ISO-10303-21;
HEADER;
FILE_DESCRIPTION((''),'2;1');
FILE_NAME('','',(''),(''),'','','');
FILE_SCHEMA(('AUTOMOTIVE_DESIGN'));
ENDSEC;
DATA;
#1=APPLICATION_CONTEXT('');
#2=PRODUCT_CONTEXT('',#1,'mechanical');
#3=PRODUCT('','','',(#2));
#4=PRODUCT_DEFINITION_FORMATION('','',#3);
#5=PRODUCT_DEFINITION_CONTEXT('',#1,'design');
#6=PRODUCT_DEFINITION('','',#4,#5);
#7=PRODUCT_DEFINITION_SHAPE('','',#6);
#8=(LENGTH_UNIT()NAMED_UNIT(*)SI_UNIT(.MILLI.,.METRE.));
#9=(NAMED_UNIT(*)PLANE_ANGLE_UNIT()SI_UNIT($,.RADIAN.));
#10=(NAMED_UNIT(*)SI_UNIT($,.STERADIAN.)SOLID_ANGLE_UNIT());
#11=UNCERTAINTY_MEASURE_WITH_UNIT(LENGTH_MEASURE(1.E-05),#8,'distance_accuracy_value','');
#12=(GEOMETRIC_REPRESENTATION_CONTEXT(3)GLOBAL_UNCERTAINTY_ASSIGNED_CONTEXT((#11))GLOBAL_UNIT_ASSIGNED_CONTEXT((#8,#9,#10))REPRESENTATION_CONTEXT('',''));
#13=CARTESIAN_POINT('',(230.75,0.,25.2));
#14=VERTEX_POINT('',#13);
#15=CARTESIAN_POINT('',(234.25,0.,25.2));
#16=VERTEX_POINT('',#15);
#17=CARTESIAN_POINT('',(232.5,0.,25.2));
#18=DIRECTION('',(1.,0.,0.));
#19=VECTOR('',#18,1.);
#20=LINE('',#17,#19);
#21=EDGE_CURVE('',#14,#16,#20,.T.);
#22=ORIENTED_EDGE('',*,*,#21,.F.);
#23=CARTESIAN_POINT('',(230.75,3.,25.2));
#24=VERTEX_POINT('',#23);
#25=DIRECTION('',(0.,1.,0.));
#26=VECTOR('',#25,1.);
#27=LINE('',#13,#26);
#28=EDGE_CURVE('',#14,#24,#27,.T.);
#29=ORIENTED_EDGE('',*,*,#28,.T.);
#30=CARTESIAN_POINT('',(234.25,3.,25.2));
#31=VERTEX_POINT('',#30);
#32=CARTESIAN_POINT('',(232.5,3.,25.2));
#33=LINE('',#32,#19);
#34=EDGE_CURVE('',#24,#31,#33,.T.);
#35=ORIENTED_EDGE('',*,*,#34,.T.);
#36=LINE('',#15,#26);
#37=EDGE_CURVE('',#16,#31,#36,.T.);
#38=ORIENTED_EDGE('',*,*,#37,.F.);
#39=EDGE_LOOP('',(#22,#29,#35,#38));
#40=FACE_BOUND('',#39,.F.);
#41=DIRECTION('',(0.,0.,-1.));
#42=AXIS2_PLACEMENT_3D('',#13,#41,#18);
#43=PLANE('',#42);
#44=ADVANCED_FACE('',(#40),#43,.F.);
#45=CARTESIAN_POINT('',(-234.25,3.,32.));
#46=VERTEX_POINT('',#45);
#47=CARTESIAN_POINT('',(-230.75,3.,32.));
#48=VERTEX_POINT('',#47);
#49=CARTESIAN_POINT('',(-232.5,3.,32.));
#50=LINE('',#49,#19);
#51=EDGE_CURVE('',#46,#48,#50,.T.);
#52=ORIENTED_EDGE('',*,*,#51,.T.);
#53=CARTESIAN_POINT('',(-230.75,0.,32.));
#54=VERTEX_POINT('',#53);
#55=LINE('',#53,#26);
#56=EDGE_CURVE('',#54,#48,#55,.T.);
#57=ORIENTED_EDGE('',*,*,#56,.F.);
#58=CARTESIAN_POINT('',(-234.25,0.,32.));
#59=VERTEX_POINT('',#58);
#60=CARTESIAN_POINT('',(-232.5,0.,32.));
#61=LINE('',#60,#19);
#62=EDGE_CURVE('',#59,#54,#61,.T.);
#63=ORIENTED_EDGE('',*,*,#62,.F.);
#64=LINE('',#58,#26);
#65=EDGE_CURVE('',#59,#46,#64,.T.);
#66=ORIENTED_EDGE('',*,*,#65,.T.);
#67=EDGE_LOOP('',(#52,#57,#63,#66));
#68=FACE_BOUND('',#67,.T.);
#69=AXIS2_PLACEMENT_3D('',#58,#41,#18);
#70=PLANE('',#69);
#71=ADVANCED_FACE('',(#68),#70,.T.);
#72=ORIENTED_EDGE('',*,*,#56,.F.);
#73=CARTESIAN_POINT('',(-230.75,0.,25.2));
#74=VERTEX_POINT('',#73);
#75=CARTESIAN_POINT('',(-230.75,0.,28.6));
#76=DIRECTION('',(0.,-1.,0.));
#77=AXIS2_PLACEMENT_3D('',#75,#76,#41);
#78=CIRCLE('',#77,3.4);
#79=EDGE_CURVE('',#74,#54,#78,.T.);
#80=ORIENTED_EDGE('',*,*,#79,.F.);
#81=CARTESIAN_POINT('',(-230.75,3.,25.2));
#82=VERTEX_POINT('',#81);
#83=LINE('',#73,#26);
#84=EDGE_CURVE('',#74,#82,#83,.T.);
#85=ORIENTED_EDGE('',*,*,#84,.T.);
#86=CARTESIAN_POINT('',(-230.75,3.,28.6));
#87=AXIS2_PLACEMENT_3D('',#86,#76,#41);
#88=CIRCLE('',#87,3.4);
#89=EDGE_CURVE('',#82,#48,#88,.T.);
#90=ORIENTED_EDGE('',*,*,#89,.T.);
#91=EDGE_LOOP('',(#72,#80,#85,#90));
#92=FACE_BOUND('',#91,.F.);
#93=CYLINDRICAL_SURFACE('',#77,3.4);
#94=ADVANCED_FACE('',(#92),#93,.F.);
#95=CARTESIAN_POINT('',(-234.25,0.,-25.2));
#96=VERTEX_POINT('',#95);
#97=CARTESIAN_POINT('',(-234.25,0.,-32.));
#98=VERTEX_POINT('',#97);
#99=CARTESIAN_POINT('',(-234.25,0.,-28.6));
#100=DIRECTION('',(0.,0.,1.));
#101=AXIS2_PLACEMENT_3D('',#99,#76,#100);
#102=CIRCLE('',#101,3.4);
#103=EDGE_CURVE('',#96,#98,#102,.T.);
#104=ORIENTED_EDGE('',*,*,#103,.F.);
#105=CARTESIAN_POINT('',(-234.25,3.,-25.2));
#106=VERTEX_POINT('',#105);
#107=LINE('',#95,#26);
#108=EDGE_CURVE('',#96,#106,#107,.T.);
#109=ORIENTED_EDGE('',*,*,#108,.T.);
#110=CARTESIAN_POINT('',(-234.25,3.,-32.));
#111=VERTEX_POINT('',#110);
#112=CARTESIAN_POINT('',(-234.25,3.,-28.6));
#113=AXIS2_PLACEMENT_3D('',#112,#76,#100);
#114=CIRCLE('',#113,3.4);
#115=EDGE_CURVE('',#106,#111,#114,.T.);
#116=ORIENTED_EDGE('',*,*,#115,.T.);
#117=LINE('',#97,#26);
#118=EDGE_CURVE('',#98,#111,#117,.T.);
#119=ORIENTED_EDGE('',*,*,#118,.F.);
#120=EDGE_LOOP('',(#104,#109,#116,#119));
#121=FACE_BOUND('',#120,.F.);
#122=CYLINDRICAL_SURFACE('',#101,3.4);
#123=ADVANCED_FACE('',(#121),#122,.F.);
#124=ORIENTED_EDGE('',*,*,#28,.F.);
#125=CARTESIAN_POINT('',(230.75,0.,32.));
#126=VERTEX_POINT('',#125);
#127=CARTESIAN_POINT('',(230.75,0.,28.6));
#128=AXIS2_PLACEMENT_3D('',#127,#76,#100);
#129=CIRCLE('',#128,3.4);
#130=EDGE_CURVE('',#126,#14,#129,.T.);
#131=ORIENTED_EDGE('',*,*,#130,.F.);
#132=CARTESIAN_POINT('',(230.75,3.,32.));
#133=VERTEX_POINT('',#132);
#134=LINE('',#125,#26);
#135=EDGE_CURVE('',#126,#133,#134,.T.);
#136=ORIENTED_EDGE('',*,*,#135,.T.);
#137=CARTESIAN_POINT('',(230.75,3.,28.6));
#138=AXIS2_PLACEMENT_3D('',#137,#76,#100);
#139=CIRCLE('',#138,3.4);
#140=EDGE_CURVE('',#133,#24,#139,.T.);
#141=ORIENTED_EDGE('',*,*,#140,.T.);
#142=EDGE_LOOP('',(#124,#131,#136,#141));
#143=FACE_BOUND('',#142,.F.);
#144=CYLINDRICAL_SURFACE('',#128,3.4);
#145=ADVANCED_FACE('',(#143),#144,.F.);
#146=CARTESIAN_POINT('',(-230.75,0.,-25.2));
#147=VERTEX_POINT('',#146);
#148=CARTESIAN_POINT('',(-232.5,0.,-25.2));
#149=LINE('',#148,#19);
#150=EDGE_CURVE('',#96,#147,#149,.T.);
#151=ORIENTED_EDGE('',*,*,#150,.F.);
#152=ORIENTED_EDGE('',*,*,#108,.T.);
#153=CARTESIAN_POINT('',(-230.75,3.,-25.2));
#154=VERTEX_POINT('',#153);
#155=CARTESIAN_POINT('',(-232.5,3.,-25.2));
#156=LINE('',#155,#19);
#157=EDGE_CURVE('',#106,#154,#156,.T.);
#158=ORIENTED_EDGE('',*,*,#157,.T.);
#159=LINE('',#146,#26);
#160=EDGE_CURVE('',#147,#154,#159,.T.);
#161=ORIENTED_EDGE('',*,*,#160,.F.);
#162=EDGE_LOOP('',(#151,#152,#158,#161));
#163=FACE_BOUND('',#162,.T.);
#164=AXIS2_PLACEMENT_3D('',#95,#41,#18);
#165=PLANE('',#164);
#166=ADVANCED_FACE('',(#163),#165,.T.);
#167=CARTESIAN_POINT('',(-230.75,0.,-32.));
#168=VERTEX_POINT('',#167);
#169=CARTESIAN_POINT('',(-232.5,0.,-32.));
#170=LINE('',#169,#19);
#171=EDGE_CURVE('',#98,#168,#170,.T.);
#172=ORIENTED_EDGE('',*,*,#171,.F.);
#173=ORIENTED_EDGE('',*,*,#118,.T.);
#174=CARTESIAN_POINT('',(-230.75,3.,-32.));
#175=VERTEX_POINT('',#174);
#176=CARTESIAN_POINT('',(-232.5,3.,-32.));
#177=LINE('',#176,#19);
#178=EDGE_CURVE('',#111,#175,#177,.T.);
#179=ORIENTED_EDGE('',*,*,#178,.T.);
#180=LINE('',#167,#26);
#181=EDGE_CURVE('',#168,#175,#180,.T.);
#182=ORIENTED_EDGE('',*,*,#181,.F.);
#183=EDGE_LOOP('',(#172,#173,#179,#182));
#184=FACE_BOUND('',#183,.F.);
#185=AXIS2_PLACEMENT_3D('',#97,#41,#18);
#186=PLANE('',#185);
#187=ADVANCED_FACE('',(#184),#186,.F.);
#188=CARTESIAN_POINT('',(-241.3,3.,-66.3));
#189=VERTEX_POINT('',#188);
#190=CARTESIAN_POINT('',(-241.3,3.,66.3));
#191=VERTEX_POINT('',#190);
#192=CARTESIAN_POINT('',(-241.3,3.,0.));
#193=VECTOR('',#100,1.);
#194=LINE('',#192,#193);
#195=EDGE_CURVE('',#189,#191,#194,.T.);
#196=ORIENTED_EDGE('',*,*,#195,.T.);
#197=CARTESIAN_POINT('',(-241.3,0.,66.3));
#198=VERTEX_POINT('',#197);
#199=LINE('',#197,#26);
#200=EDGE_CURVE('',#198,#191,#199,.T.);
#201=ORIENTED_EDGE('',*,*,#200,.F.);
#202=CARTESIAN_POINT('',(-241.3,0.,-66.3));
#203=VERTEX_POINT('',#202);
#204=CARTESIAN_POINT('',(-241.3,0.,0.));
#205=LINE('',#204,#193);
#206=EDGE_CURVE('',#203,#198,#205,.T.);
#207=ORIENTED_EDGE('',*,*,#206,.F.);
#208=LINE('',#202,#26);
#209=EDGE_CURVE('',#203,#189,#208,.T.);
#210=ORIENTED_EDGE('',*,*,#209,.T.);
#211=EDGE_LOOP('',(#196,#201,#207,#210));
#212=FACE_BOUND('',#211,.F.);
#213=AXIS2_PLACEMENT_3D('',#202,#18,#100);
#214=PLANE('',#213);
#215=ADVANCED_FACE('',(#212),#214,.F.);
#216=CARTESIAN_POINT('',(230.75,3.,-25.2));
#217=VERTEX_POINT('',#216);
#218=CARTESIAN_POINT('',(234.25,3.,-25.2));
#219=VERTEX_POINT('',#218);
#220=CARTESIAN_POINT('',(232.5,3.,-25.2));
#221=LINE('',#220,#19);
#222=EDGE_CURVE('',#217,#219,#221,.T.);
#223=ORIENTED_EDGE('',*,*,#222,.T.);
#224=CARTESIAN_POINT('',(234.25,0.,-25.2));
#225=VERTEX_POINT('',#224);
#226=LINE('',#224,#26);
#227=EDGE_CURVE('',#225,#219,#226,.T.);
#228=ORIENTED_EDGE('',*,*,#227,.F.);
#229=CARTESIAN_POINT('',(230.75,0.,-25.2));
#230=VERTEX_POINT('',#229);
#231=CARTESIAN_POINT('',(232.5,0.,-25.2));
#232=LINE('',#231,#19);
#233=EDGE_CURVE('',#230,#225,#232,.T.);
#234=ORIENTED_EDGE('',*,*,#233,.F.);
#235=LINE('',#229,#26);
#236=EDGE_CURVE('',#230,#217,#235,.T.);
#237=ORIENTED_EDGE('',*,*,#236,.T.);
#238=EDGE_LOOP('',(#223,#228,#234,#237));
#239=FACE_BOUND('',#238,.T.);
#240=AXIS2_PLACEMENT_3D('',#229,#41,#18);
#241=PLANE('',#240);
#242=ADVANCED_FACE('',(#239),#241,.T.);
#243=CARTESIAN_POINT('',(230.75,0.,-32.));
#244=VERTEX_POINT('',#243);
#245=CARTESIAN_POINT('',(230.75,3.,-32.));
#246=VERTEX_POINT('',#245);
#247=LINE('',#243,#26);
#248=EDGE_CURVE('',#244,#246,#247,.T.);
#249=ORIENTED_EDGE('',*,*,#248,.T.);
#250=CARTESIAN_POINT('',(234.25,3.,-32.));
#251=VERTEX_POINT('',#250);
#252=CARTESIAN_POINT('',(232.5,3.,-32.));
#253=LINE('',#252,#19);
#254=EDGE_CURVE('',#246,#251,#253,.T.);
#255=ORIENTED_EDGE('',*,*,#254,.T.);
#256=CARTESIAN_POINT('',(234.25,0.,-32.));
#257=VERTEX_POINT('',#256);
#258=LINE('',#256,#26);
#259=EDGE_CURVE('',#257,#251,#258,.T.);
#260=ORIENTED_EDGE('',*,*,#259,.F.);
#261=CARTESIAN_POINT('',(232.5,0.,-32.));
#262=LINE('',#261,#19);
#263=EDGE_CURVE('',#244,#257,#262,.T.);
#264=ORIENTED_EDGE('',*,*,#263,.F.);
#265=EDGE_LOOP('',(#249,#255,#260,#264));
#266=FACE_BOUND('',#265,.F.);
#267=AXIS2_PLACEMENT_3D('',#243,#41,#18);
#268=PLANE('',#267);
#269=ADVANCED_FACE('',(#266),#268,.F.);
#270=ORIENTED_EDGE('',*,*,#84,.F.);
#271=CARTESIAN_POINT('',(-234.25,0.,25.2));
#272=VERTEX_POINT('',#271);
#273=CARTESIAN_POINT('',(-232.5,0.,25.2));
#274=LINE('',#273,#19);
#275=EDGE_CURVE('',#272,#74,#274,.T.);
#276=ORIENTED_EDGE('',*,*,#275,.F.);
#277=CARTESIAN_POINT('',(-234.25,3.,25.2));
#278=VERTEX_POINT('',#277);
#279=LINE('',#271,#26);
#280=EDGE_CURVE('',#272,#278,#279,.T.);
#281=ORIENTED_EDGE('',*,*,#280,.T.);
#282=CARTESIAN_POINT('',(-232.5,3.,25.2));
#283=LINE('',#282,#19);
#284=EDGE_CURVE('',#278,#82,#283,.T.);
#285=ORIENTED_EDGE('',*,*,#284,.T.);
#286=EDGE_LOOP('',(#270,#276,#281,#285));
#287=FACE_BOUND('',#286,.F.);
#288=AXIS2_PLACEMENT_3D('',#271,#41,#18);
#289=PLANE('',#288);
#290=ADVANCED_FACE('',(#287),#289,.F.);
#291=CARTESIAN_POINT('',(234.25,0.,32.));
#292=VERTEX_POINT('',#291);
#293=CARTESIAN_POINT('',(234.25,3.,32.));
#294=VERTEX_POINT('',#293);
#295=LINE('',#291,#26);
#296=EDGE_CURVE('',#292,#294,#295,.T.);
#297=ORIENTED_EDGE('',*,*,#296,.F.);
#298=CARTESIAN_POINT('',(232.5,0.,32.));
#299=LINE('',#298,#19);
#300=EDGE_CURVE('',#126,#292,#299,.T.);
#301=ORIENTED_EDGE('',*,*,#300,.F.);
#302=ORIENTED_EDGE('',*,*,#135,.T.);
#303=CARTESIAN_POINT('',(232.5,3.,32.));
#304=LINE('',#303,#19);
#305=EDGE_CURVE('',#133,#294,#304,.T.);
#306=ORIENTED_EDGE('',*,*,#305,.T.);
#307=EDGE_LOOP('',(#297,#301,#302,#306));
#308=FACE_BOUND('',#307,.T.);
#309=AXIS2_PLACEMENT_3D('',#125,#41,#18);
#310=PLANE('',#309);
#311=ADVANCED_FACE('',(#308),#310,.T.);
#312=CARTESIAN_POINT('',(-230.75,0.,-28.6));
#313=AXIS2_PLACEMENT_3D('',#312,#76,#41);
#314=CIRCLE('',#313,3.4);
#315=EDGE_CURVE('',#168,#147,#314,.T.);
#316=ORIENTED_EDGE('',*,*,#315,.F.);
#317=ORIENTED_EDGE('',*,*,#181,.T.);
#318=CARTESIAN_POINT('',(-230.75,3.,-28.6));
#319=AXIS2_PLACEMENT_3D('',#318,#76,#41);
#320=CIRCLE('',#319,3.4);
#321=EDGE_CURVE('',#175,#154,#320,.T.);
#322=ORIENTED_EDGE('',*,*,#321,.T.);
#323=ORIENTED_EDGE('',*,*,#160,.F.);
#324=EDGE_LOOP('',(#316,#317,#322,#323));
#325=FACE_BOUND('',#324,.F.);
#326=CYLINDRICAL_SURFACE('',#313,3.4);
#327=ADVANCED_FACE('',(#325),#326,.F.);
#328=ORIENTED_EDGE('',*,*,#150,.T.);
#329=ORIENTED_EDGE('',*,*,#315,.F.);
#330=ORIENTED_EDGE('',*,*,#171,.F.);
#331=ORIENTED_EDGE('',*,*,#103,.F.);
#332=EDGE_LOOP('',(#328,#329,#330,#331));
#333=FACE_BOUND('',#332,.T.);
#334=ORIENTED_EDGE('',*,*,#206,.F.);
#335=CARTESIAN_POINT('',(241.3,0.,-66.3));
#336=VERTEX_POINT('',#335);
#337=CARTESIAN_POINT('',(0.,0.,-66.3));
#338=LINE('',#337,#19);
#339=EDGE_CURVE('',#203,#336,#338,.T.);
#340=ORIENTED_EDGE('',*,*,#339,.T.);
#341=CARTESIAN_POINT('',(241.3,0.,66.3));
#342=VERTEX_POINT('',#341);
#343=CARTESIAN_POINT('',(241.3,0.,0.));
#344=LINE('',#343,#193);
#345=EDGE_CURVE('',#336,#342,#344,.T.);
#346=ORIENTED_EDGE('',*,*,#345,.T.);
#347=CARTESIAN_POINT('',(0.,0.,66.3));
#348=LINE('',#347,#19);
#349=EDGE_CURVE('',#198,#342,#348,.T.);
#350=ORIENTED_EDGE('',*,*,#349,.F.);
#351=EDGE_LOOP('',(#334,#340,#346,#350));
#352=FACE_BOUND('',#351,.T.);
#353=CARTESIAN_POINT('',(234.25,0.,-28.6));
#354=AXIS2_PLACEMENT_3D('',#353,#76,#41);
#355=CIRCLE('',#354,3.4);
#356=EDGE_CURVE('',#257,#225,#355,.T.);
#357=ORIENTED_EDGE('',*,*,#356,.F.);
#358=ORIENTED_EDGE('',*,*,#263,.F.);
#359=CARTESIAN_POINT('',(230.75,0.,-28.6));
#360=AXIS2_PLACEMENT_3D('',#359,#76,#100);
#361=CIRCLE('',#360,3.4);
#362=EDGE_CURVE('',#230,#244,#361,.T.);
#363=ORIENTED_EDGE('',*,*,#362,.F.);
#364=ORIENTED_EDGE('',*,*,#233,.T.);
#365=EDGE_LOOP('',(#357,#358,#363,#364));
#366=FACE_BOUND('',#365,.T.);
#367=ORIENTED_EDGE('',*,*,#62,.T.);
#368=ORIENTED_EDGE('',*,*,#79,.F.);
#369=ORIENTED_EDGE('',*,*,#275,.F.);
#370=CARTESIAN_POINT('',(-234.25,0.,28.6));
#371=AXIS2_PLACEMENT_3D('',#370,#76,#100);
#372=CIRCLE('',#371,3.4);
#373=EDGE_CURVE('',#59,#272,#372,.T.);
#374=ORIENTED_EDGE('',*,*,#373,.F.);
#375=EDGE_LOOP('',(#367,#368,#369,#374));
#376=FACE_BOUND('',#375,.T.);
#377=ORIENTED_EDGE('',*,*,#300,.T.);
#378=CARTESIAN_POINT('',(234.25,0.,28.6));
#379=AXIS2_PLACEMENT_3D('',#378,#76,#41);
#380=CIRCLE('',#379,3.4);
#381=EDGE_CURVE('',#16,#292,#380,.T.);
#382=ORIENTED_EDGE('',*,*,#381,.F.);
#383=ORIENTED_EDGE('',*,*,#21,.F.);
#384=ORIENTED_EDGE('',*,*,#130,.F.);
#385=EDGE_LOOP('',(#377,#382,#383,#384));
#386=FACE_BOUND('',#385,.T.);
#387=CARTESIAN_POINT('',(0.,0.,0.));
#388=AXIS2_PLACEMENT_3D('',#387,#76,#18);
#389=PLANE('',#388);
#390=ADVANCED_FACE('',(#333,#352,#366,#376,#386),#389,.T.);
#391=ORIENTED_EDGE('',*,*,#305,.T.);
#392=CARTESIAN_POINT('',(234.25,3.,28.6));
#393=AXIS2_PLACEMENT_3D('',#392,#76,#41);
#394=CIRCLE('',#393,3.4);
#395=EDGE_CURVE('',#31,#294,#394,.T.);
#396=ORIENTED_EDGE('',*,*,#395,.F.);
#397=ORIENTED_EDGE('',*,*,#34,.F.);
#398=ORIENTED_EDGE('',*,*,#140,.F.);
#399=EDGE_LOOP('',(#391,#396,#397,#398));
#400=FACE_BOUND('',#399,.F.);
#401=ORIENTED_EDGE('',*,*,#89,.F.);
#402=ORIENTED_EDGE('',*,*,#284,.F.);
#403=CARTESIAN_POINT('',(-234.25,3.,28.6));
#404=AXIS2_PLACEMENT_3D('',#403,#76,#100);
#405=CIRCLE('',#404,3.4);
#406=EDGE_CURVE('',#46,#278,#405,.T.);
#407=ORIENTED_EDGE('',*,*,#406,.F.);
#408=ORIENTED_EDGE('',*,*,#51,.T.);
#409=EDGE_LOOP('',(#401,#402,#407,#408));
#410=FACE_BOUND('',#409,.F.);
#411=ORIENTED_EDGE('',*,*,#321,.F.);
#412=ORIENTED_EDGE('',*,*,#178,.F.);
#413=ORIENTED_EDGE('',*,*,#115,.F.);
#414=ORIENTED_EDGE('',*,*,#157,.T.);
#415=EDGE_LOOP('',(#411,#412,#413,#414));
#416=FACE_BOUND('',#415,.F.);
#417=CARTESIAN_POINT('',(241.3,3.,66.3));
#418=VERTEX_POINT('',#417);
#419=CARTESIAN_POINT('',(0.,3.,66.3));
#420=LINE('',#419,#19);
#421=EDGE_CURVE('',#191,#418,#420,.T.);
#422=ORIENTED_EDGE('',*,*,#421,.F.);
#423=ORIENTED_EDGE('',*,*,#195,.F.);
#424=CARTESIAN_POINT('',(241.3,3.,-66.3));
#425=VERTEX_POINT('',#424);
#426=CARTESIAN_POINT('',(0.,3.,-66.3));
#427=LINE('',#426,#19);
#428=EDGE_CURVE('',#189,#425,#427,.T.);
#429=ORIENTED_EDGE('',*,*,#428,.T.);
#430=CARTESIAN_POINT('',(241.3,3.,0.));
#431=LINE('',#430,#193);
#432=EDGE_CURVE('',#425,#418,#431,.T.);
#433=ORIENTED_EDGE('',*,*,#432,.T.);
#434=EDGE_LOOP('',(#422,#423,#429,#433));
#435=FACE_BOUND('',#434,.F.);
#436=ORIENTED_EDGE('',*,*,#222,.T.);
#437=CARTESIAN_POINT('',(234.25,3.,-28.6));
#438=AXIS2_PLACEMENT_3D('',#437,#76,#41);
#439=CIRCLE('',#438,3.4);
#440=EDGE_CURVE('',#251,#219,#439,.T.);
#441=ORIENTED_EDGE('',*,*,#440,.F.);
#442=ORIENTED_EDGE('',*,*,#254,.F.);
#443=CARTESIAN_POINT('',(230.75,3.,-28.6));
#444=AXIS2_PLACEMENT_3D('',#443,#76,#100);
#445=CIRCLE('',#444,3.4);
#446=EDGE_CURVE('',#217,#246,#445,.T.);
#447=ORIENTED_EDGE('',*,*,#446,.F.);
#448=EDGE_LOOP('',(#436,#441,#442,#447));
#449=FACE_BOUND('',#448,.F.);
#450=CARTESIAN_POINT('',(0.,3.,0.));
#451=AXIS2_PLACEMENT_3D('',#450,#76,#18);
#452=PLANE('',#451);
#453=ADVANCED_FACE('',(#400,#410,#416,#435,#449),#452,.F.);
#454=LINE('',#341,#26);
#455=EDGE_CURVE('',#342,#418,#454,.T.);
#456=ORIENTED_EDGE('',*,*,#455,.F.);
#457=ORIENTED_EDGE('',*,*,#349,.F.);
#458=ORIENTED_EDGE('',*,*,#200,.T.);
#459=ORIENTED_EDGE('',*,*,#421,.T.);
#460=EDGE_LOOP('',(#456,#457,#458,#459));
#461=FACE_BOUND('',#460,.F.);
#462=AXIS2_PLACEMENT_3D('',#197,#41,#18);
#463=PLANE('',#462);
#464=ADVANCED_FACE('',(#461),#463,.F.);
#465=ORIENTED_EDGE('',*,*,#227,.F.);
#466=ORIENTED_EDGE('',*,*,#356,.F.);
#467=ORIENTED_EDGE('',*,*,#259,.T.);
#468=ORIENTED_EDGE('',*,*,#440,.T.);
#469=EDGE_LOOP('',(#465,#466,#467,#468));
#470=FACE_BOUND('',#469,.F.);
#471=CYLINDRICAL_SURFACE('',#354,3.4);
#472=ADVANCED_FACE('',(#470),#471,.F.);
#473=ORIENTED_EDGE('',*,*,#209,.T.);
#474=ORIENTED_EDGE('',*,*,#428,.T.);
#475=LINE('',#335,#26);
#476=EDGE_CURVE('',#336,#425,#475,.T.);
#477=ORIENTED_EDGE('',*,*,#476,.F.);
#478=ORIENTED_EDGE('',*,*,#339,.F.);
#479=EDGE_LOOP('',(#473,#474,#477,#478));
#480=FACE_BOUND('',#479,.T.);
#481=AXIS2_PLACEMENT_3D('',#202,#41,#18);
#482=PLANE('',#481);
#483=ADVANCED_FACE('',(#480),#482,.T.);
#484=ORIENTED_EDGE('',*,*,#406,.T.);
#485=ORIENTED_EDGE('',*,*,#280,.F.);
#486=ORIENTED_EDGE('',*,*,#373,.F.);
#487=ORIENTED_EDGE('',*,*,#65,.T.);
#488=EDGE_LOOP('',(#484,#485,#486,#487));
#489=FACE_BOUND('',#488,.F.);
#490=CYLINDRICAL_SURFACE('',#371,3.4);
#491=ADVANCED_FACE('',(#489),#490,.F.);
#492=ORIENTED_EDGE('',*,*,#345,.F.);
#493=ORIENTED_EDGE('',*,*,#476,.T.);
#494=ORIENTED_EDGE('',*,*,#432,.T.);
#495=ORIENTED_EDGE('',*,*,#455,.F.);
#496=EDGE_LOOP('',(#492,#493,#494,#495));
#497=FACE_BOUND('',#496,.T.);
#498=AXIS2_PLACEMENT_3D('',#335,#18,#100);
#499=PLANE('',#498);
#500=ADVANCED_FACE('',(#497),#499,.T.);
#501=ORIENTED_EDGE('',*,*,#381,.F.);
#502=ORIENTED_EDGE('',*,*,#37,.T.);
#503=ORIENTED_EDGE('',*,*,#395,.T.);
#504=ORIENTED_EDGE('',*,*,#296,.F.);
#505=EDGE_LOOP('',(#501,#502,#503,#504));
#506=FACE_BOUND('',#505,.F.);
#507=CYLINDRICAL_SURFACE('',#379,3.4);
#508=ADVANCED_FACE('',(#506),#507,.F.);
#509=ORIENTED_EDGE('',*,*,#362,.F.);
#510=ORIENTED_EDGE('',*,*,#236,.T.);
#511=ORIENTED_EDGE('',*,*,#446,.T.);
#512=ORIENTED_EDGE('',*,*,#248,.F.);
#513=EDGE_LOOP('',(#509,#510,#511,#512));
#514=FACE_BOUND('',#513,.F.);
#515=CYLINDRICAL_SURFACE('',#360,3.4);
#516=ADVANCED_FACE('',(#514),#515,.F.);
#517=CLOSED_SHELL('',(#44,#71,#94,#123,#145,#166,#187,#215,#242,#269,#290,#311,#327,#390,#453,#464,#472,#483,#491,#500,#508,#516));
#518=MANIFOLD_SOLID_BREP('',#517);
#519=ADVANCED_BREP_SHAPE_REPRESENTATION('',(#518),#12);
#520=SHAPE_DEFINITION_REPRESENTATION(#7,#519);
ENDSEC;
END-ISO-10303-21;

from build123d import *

# Parameters (mm, degrees)
F0_W     = 482.6
F0_H     = 132.6
F1_DEPTH = 3
F2_W     = 3.5
F2_H     = 6.8
F3_W     = 3.5
F3_H     = 6.8
F4_W     = 3.5
F4_H     = 6.8
F5_W     = 3.5
F5_H     = 6.8
F6_DEPTH = 3


with BuildPart() as f1:
    # F0 (on Front) → F1 (new body)
    with BuildSketch(Plane.XZ):
        Rectangle(F0_W, F0_H)
    extrude(amount=-F1_DEPTH)

    # F2 (on face) + F3 (on face) + F4 (on face) + F5 (on face) → F6 (cut)
    with BuildSketch(Plane.XZ):
        with Locations((-232.5, 28.6)):
            Rectangle(F2_W, F2_H)
        with BuildLine():
            Line((-230.75, 32), (-230.75, 25.2))
            ThreePointArc((-230.75, 25.2), (-227.35, 28.6), (-230.75, 32))
        make_face()
        with BuildLine():
            ThreePointArc((-234.25, 32), (-237.65, 28.6), (-234.25, 25.2))
            Line((-234.25, 25.2), (-234.25, 32))
        make_face()
    with BuildSketch(Plane.XZ):
        with Locations((-232.5, -28.6)):
            Rectangle(F3_W, F3_H)
        with BuildLine():
            Line((-230.75, -25.2), (-230.75, -32))
            ThreePointArc((-230.75, -32), (-227.35, -28.6), (-230.75, -25.2))
        make_face()
        with BuildLine():
            ThreePointArc((-234.25, -25.2), (-237.65, -28.6), (-234.25, -32))
            Line((-234.25, -32), (-234.25, -25.2))
        make_face()
    with BuildSketch(Plane.XZ):
        with Locations((232.5, 28.6)):
            Rectangle(F4_W, F4_H)
        with BuildLine():
            ThreePointArc((234.25, 25.2), (237.65, 28.6), (234.25, 32))
            Line((234.25, 32), (234.25, 25.2))
        make_face()
        with BuildLine():
            Line((230.75, 25.2), (230.75, 32))
            ThreePointArc((230.75, 32), (227.35, 28.6), (230.75, 25.2))
        make_face()
    with BuildSketch(Plane.XZ):
        with Locations((232.5, -28.6)):
            Rectangle(F5_W, F5_H)
        with BuildLine():
            Line((234.25, -25.2), (234.25, -32))
            ThreePointArc((234.25, -32), (237.65, -28.6), (234.25, -25.2))
        make_face()
        with BuildLine():
            ThreePointArc((230.75, -25.2), (227.35, -28.6), (230.75, -32))
            Line((230.75, -32), (230.75, -25.2))
        make_face()
    extrude(amount=-F6_DEPTH, mode=Mode.SUBTRACT)


solid = f1.part
